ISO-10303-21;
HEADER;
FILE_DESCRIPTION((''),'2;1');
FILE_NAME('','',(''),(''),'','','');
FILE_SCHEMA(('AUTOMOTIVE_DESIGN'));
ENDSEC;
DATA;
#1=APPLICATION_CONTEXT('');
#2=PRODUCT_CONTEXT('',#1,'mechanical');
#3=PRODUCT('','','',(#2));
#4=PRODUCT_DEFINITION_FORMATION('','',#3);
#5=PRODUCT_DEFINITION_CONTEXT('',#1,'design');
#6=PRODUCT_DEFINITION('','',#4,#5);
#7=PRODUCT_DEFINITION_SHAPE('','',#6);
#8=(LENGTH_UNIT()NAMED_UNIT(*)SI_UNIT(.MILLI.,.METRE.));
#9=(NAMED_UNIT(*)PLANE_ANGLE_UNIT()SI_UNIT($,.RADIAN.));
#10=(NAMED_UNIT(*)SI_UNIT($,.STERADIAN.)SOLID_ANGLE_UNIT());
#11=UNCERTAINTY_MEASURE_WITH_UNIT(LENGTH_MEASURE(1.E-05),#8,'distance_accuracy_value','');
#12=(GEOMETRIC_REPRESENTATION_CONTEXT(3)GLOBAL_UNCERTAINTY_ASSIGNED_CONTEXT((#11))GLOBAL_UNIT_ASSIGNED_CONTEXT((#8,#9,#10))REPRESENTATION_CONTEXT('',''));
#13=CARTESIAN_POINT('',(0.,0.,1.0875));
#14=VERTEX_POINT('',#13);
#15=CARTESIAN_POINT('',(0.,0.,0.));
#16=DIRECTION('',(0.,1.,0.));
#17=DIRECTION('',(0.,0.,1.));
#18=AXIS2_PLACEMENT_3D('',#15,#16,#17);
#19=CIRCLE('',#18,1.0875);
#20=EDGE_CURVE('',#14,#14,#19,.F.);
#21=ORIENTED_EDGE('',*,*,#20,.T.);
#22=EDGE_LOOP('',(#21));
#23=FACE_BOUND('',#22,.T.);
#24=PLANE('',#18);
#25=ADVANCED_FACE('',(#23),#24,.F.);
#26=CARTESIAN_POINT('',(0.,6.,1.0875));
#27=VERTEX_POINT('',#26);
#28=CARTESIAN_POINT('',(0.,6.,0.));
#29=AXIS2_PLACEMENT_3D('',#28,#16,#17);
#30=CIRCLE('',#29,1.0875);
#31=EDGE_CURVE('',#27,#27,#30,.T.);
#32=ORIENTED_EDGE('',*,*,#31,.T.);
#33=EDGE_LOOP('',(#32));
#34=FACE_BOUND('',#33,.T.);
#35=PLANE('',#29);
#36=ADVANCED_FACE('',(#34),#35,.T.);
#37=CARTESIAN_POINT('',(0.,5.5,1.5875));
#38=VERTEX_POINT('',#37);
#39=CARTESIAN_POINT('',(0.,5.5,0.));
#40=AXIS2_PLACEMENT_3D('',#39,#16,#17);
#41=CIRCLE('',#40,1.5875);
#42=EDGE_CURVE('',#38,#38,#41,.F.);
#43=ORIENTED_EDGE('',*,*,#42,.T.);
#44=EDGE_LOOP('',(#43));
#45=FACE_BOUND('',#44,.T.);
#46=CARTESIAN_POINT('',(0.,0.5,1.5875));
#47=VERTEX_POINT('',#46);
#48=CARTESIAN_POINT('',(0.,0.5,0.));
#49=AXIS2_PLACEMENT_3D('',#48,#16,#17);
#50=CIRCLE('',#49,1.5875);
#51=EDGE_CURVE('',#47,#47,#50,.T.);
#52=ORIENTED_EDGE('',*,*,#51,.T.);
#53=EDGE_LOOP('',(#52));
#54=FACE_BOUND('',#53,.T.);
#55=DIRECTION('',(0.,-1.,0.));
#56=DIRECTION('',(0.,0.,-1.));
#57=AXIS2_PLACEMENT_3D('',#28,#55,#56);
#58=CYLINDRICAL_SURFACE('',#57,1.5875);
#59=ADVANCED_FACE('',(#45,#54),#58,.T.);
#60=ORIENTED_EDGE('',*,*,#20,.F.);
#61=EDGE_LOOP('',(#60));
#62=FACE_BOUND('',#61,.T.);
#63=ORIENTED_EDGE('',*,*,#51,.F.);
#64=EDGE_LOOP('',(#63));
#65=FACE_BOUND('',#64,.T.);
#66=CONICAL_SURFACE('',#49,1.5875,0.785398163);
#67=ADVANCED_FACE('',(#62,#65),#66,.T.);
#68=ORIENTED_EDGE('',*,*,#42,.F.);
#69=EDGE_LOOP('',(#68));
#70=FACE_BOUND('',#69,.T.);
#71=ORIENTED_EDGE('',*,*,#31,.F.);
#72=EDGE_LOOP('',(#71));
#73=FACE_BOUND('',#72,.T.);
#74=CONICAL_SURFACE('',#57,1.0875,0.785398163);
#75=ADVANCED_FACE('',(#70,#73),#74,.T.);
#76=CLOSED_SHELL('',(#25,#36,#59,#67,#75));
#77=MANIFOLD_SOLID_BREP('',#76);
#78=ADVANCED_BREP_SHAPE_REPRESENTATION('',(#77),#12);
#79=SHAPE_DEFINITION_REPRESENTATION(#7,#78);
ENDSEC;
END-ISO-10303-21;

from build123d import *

# Parameters (mm, degrees)
SKETCH_1_R      = 1.5875
EXTRUDE_1_DEPTH = 6
CHAMFER_1_SIZE  = 0.5


with BuildPart() as part:
    # Эскиз1 → Бобышка-Вытянуть1 (new body)
    with BuildSketch(Plane(origin=(0, 0, 0), x_dir=(1, 0, 0), z_dir=(0, 1, 0))):
        with Locations(Location((0, 0, 0), (0, 0, 270))):
            Circle(SKETCH_1_R)
    extrude(amount=EXTRUDE_1_DEPTH)

    # Фаска1
    chamfer_1_edges = [part.edges().sort_by_distance(p)[0] for p in [
        (0, 0, -1.5875),
        (0, 6, -1.5875),
    ]]
    chamfer(chamfer_1_edges, length=CHAMFER_1_SIZE)


solid = part.part
